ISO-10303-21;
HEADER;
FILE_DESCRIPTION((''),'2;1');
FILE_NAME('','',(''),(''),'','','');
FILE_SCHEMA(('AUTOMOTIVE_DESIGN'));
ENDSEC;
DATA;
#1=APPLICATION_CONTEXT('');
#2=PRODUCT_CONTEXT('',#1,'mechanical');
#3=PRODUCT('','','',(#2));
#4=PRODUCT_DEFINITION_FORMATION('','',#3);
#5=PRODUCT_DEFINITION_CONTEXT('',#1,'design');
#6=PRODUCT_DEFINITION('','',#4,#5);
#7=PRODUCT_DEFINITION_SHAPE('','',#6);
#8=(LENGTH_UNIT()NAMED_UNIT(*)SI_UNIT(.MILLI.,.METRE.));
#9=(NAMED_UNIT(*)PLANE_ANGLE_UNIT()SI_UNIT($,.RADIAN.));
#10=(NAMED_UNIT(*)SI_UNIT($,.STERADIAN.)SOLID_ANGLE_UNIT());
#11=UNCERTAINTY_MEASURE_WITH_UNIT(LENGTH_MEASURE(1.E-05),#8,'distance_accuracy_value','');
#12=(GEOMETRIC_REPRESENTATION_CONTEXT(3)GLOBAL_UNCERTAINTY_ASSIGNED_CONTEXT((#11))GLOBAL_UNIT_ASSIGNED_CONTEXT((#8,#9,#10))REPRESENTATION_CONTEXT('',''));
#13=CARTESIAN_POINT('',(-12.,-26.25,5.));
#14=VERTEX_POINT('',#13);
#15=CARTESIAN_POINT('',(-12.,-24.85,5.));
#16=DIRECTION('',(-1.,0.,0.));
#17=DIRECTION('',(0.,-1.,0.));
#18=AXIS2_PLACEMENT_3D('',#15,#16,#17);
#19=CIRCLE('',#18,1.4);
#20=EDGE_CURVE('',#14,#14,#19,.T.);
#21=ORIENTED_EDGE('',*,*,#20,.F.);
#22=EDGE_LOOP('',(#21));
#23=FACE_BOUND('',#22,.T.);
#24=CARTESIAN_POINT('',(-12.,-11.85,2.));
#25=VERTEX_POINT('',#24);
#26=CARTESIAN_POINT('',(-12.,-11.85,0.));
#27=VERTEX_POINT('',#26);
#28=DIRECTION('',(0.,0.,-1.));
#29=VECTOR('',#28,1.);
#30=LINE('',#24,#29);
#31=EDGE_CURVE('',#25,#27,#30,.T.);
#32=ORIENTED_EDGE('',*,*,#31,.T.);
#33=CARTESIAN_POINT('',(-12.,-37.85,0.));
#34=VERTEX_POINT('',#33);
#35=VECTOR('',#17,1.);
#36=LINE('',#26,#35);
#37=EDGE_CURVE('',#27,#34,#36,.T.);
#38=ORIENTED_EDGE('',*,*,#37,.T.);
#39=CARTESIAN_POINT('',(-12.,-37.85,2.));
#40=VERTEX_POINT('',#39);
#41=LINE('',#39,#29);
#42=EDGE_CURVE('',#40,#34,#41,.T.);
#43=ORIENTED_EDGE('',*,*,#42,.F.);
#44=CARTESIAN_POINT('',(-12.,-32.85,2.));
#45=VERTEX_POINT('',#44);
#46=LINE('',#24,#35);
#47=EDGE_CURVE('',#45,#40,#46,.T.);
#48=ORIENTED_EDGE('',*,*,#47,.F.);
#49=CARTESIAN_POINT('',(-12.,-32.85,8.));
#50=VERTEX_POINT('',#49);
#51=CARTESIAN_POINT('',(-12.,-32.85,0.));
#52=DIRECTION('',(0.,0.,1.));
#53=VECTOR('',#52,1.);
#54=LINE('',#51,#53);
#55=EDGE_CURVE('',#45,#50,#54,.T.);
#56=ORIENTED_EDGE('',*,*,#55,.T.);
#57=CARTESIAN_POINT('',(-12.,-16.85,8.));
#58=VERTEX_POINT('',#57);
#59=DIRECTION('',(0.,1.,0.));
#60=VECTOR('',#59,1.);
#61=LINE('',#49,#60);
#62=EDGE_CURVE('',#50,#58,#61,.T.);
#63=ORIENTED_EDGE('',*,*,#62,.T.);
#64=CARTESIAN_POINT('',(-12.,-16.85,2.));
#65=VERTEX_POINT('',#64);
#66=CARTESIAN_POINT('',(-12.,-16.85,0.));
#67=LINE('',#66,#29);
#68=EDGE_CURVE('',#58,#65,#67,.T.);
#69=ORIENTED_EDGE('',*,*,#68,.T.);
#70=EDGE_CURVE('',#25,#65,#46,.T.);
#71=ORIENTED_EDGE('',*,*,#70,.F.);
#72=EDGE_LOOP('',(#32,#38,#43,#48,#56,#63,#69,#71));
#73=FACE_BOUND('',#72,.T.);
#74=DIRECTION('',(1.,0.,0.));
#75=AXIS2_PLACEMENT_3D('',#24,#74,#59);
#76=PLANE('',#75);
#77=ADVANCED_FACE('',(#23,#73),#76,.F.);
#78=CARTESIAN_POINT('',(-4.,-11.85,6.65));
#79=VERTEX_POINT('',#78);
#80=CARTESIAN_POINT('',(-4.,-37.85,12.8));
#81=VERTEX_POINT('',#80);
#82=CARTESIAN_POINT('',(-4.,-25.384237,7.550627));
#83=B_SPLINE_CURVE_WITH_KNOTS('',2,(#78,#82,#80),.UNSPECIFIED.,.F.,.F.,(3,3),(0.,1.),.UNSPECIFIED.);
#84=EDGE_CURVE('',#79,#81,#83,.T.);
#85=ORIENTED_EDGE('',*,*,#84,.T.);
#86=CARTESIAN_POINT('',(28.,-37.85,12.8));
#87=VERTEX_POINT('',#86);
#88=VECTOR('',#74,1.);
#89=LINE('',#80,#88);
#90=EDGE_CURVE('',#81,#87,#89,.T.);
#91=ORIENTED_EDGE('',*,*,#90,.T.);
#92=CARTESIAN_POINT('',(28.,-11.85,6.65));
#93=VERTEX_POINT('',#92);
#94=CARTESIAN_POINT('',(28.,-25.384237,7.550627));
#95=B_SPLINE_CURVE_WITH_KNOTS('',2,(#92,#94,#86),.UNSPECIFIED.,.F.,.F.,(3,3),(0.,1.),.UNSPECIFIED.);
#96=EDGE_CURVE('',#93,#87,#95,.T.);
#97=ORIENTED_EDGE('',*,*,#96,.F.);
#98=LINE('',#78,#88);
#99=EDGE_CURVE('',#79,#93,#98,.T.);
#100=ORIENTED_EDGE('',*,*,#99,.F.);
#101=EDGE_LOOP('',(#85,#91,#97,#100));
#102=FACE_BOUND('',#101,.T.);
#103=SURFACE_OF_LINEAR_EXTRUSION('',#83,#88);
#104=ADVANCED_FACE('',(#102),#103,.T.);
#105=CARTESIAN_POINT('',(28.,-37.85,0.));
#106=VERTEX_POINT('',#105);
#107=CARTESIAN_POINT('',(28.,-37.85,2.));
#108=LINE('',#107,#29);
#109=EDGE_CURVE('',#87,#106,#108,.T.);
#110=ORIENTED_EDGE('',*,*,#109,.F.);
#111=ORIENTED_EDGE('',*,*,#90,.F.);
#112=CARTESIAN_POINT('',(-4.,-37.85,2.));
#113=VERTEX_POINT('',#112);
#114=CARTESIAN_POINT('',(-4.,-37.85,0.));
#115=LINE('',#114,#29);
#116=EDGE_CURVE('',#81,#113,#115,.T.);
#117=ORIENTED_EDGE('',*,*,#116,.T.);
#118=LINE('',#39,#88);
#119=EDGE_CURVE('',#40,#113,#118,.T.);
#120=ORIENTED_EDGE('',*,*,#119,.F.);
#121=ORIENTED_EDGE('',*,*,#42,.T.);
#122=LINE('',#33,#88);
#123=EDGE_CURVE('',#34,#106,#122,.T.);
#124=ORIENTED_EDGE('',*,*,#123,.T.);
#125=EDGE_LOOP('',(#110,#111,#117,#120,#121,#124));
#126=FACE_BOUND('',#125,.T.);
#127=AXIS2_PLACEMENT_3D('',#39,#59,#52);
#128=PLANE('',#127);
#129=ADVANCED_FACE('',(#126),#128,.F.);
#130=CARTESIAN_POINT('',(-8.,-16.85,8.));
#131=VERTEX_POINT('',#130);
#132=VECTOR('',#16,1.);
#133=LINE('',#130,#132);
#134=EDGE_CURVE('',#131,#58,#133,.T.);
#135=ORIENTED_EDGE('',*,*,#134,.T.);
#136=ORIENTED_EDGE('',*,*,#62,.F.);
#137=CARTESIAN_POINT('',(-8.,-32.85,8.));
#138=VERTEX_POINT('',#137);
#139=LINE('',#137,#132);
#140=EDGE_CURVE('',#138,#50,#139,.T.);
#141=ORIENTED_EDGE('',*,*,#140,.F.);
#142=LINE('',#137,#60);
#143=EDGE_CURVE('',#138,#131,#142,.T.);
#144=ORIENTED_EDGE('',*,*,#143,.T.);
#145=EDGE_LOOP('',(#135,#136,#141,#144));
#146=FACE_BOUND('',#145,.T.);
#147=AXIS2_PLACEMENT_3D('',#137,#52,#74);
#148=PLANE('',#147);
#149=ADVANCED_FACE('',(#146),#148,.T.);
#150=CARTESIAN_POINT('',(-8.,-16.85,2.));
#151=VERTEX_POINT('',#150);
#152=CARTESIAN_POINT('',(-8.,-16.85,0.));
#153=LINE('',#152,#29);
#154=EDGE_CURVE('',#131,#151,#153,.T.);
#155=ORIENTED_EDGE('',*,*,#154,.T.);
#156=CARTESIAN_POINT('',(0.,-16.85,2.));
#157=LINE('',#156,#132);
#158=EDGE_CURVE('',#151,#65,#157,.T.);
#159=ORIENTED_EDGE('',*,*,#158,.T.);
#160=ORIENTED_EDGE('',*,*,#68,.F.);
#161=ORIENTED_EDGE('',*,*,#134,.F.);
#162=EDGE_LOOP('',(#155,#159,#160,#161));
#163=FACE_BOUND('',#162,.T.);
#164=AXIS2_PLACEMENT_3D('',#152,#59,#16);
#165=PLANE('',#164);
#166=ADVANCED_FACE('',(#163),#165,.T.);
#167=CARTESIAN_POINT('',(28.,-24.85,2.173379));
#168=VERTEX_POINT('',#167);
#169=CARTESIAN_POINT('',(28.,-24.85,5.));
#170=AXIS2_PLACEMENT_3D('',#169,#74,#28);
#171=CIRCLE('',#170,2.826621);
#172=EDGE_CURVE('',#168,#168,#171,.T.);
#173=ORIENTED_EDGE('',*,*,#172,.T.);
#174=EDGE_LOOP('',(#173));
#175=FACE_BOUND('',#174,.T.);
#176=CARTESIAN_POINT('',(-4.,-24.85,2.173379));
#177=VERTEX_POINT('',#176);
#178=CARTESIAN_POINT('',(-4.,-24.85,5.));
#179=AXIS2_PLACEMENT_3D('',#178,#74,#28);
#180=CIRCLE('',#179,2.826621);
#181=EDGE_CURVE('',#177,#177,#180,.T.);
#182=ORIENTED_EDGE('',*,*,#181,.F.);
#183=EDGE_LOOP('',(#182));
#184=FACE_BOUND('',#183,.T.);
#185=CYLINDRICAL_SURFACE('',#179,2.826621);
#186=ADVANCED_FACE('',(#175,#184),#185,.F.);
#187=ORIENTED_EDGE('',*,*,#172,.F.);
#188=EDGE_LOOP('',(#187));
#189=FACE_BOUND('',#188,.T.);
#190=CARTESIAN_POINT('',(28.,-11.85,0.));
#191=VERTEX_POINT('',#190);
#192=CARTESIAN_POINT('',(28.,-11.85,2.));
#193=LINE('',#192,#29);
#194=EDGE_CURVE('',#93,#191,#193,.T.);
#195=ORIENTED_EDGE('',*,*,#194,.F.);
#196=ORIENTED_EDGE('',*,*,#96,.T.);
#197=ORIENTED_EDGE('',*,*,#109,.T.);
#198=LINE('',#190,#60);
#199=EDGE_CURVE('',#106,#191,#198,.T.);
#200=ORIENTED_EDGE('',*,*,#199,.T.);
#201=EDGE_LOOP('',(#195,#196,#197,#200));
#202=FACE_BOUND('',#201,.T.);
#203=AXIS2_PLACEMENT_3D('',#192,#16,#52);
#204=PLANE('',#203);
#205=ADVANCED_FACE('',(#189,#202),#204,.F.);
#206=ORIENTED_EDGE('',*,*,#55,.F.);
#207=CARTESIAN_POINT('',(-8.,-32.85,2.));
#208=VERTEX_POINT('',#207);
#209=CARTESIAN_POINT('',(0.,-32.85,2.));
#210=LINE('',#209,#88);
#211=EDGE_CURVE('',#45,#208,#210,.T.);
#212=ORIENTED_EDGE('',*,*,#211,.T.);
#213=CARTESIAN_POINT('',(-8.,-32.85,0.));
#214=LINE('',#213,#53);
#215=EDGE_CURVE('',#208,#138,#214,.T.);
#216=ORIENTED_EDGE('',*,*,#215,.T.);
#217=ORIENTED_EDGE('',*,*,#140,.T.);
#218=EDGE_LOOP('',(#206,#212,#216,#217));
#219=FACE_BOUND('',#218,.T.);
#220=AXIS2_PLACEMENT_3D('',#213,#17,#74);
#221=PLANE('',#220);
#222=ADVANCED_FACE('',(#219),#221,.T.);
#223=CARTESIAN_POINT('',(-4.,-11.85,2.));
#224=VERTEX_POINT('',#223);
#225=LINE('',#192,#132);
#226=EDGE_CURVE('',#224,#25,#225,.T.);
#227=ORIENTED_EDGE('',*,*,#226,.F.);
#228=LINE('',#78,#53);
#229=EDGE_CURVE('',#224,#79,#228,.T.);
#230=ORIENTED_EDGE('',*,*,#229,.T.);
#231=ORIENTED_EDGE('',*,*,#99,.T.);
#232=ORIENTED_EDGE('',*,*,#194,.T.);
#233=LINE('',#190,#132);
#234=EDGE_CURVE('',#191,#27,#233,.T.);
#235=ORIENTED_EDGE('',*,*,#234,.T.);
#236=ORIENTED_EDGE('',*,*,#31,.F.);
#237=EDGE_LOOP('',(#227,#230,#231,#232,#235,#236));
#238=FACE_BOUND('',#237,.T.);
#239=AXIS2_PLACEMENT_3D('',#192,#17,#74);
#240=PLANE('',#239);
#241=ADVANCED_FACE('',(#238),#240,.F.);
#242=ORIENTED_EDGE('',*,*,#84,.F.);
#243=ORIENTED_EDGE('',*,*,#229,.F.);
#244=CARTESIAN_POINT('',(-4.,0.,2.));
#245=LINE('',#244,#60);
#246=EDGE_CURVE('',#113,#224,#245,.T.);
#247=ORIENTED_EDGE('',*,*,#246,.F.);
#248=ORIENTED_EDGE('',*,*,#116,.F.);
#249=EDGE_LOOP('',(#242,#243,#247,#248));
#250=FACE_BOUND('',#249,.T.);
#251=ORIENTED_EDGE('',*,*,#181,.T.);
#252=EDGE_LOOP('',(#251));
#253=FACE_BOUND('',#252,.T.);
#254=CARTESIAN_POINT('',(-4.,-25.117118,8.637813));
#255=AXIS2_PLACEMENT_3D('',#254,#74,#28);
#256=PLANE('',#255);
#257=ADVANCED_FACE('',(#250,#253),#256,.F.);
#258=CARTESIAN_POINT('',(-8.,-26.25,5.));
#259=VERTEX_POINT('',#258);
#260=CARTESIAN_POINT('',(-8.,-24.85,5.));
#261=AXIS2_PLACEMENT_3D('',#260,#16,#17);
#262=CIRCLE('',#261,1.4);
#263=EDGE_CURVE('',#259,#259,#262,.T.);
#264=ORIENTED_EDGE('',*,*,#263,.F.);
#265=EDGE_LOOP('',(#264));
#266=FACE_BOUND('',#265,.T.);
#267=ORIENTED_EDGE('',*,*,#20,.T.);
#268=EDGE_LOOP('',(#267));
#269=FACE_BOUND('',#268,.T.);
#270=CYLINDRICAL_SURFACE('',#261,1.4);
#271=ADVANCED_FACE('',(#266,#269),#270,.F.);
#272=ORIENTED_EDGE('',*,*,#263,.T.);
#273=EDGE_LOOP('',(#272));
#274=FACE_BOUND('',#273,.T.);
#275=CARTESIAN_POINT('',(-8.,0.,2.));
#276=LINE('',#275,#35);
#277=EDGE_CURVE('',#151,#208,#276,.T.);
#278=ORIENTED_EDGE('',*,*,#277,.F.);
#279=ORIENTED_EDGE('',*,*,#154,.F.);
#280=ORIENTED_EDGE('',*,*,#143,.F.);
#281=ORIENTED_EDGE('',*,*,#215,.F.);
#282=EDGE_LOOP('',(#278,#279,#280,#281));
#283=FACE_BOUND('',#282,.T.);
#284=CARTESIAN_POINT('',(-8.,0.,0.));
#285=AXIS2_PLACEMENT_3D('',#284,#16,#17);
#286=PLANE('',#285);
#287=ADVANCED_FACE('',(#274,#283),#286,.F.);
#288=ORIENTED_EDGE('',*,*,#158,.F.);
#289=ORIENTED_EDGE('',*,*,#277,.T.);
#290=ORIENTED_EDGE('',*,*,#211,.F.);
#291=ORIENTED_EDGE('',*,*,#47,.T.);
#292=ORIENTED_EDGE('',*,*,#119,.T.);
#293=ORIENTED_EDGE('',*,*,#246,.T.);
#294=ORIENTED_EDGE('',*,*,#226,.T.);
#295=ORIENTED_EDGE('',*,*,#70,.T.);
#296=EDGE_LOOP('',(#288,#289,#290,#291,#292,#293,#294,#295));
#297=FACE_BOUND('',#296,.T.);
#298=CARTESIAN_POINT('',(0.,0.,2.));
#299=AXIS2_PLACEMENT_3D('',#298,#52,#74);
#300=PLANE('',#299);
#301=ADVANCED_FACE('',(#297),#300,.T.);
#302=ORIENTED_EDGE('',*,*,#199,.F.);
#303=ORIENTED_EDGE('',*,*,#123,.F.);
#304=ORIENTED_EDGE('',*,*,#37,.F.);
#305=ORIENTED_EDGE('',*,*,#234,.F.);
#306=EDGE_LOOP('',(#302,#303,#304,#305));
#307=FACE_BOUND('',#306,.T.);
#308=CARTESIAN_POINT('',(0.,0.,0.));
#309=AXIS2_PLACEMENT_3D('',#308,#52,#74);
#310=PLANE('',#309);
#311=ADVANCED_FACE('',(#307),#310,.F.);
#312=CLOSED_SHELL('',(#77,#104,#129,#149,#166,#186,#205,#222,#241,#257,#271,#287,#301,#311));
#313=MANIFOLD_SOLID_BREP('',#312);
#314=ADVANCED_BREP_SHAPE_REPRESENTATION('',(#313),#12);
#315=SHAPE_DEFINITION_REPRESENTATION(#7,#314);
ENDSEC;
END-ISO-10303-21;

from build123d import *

# Parameters (mm, degrees)
ESQUISSE1_W             = 40
ESQUISSE1_H             = 26
BOSS_EXTRU_1_DEPTH      = 2
ESQUISSE2_W             = 8
ESQUISSE2_H             = 16
BOSS_EXTRU_2_DEPTH      = 4
ESQUISSE3_R             = 1.4
ENL_V_MAT_EXTRU_1_DEPTH = 4
BOSS_EXTRU_3_DEPTH      = 32
ESQUISSE5_R             = 1.4
ENL_V_MAT_EXTRU_2_DEPTH = 41
ESQUISSE6_R             = 2.826620589
ENL_V_MAT_EXTRU_3_DEPTH = 32


with BuildPart() as part:
    # Esquisse1 → Boss.-Extru.1 (new body)
    with BuildSketch(Plane.XY):
        with Locations((8, -24.85)):
            Rectangle(ESQUISSE1_W, ESQUISSE1_H)
    extrude(amount=BOSS_EXTRU_1_DEPTH)

    # Esquisse2 → Boss.-Extru.2 (add)
    with BuildSketch(Plane.ZY.offset(12)):
        with Locations((4, -24.85)):
            Rectangle(ESQUISSE2_W, ESQUISSE2_H)
    extrude(amount=-BOSS_EXTRU_2_DEPTH)

    # Esquisse3 → Enlèv. mat.-Extru.1 (cut)
    with BuildSketch(Plane.ZY.offset(12)):
        with Locations((5, -24.85)):
            Circle(ESQUISSE3_R)
    extrude(amount=-ENL_V_MAT_EXTRU_1_DEPTH, mode=Mode.SUBTRACT)

    # Esquisse4 → Boss.-Extru.3 (add)
    with BuildSketch(Plane(origin=(28, 0, 0), x_dir=(0, 0, -1), z_dir=(1, 0, 0))):
        with BuildLine():
            Line((-6.65, -11.85), (0, -11.85))
            Line((0, -11.85), (0, -37.85))
            Line((0, -37.85), (-12.8, -37.85))
            add(Edge.make_bspline(
                [(-6.65, -11.85), (-7.550626547, -25.384236651), (-12.8, -37.85)],
                knots=[0, 0, 0, 1, 1, 1], degree=2))
        make_face()
    extrude(amount=-BOSS_EXTRU_3_DEPTH)

    # Esquisse5 → Enlèv. mat.-Extru.2 (cut)
    with BuildSketch(Plane.ZY.offset(12)):
        with Locations((5, -24.85)):
            Circle(ESQUISSE5_R)
    extrude(amount=-ENL_V_MAT_EXTRU_2_DEPTH, mode=Mode.SUBTRACT)

    # Esquisse6 → Enlèv. mat.-Extru.3 (cut)
    with BuildSketch(Plane(origin=(28, 0, 0), x_dir=(0, 0, -1), z_dir=(1, 0, 0))):
        with Locations((-5, -24.85)):
            Circle(ESQUISSE6_R)
    extrude(amount=-ENL_V_MAT_EXTRU_3_DEPTH, mode=Mode.SUBTRACT)


solid = part.part
